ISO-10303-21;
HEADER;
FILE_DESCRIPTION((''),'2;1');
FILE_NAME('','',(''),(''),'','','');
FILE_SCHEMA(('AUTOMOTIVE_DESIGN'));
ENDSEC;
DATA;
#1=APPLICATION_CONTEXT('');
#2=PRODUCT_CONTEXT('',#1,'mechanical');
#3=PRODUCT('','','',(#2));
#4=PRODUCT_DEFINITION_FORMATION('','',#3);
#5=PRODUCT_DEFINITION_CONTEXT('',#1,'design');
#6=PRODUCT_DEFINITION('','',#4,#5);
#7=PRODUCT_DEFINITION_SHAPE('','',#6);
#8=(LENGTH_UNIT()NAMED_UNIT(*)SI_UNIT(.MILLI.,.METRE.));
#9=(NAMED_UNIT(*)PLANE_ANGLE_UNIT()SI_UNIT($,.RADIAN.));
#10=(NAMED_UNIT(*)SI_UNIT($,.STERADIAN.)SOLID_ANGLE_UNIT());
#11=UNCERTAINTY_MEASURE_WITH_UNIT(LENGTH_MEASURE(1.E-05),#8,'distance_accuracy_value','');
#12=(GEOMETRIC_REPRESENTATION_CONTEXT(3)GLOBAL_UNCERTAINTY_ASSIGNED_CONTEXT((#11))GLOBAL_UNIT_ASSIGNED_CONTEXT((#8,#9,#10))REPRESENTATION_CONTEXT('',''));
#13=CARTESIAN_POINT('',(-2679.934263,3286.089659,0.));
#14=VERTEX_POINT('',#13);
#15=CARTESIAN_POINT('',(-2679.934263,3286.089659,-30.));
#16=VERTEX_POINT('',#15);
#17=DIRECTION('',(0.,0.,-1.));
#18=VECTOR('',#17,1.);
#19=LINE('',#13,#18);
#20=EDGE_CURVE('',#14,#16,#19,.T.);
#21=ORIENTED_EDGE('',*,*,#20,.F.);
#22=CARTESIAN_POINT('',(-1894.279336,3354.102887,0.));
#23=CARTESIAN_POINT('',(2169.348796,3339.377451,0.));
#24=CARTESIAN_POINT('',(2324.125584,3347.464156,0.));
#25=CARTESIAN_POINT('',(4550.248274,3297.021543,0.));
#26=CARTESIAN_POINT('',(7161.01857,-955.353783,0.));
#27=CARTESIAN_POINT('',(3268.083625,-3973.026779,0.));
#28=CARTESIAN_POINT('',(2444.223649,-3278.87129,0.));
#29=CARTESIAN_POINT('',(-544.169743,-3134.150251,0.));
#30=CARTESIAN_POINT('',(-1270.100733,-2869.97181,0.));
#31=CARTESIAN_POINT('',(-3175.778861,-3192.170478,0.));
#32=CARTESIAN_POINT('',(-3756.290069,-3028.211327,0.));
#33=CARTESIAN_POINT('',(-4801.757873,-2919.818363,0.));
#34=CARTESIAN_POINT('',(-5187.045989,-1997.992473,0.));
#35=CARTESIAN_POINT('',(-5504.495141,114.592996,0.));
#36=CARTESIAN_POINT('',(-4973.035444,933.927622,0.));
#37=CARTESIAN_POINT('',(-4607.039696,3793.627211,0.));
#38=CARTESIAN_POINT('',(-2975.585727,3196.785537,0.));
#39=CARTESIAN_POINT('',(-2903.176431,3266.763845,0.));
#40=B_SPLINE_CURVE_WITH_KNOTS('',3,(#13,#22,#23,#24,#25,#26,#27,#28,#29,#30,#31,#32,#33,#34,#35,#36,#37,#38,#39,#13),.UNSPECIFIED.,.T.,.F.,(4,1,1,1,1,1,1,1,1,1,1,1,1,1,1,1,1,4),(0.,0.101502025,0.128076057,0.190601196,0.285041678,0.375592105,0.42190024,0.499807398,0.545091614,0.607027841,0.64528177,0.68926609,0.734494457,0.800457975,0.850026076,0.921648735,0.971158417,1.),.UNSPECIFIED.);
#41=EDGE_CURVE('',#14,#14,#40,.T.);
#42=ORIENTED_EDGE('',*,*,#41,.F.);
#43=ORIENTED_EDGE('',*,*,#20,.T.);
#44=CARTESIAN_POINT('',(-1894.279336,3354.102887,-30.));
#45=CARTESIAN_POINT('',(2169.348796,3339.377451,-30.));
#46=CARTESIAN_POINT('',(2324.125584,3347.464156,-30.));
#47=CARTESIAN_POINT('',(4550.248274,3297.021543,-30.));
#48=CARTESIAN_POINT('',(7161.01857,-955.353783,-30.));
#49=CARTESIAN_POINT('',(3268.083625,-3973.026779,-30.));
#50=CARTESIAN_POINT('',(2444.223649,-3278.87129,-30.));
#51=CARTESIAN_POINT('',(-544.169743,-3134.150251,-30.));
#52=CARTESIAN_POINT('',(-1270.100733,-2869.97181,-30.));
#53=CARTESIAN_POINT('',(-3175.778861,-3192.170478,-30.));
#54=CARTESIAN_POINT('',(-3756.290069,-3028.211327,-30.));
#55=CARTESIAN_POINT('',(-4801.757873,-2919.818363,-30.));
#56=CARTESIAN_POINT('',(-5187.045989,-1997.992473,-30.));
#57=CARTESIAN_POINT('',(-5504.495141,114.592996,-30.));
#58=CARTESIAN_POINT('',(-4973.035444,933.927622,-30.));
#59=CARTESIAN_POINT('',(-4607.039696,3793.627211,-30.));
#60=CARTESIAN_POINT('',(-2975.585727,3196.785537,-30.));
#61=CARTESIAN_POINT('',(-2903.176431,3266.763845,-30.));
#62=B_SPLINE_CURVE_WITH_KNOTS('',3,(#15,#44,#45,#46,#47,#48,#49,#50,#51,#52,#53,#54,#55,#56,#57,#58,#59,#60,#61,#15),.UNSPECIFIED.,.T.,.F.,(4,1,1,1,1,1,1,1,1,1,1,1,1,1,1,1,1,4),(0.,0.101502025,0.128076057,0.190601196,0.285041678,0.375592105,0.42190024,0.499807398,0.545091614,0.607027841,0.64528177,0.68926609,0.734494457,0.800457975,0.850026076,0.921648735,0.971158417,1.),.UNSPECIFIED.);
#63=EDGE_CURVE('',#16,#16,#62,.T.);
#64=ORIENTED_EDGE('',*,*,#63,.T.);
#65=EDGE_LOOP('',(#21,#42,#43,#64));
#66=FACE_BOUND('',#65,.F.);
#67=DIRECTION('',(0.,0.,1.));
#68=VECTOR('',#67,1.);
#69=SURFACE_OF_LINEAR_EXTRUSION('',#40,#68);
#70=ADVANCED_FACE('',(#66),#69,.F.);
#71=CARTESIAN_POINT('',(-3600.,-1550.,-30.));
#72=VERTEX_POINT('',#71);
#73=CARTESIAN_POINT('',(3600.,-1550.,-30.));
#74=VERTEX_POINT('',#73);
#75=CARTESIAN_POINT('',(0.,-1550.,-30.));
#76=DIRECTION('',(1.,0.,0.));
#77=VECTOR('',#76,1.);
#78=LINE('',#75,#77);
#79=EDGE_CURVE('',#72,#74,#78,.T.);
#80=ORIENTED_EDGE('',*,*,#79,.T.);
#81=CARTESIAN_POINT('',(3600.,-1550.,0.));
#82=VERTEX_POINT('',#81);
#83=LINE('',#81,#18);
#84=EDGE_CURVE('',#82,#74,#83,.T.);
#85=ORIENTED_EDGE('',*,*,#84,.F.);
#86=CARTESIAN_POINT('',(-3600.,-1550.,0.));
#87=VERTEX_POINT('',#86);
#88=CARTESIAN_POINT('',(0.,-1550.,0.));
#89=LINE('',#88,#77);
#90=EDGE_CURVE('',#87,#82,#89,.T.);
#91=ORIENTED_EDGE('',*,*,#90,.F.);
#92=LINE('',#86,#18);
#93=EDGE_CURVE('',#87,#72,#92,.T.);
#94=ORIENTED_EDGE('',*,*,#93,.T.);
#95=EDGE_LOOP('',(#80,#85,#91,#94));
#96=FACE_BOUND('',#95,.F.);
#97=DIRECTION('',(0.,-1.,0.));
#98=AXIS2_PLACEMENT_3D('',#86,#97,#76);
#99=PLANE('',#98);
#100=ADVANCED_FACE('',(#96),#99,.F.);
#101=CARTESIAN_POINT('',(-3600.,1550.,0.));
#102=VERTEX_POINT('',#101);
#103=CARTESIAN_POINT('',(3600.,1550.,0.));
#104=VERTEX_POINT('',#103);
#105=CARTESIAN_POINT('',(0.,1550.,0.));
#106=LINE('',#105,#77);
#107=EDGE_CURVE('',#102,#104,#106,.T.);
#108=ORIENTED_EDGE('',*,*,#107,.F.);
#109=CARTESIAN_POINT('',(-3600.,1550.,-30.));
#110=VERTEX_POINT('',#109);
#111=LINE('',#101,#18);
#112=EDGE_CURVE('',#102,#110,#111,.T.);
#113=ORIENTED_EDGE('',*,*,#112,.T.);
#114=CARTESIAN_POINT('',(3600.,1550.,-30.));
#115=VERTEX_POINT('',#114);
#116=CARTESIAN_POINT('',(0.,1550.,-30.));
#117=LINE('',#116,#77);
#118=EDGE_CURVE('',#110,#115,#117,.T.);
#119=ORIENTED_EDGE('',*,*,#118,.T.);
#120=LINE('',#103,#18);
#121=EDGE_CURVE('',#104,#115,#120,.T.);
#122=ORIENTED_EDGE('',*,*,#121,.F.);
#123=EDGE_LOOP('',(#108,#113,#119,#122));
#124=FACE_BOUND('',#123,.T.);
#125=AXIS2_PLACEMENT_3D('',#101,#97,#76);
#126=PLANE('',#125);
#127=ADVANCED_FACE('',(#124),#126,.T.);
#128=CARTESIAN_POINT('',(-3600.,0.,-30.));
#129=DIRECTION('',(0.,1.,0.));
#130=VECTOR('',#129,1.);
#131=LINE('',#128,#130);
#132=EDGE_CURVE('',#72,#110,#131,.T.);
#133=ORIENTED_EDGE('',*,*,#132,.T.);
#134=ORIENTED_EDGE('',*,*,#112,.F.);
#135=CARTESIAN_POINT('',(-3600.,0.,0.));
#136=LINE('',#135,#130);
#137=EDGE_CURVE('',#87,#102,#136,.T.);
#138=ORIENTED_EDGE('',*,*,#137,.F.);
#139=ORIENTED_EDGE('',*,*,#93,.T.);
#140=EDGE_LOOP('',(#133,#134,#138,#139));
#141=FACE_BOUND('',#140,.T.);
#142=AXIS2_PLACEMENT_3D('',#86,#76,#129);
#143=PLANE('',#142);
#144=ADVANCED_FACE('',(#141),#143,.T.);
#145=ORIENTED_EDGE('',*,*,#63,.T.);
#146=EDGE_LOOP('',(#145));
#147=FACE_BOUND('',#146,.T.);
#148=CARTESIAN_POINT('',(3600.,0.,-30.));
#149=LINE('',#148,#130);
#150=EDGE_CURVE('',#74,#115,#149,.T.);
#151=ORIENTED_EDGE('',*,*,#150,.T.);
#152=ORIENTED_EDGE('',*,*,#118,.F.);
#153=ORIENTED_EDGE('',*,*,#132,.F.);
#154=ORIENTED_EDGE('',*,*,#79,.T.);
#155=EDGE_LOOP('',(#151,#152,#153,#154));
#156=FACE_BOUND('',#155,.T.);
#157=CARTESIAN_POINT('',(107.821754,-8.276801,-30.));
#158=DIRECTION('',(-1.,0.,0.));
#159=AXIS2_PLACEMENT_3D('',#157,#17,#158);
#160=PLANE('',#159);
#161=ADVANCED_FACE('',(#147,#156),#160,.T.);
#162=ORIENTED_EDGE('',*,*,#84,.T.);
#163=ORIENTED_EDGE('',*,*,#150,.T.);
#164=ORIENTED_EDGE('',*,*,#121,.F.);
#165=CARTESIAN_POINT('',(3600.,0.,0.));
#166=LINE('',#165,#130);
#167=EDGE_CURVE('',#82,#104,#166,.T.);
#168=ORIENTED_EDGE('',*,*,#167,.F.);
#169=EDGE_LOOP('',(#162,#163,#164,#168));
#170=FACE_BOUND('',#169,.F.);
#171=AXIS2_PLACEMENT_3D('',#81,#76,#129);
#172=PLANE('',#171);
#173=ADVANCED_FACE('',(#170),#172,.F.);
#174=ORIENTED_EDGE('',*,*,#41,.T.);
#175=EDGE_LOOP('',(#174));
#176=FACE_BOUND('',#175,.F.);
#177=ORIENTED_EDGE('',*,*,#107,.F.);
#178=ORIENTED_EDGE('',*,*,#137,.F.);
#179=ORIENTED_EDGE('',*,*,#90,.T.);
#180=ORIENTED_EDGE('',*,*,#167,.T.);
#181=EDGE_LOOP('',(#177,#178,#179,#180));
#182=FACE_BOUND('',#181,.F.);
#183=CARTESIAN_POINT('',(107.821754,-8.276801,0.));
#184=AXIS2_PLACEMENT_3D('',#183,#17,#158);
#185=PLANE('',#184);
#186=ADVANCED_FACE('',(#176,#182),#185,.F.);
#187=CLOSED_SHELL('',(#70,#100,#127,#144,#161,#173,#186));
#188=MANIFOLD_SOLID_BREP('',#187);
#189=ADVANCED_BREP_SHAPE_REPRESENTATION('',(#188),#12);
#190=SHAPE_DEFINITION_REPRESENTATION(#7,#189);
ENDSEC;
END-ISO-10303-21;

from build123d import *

# Parameters (mm, degrees)
F0_W     = 7200
F0_H     = 3100
F1_DEPTH = 30


with BuildPart() as f1:
    # F0 (on Top) → F1 (new body)
    with BuildSketch(Plane.XY):
        with BuildLine():
            add(Edge.make_bspline(
                [(-2679.9342632294, 3286.0896587372), (-1894.2793361293, 3354.102886519), (2169.3487960151, 3339.3774514757), (2324.1255844619, 3347.4641558216), (4550.2482736579, 3297.0215426634), (7161.0185701349, -955.3537827934), (3268.0836254666, -3973.0267787437), (2444.2236486134, -3278.871290182), (-544.1697431272, -3134.1502507121), (-1270.1007325297, -2869.9718104518), (-3175.7788609086, -3192.1704777094), (-3756.2900692812, -3028.211326813), (-4801.7578727581, -2919.8183629212), (-5187.045989037, -1997.992472893), (-5504.4951405925, 114.5929962862), (-4973.0354441383, 933.9276223427), (-4607.0396962933, 3793.6272114433), (-2975.5857267694, 3196.7855372253), (-2903.1764309566, 3266.763845482), (-2679.9342632294, 3286.0896587372)],
                knots=[0, 0, 0, 0, 0.101502025, 0.1280760572, 0.1906011959, 0.285041678, 0.3755921045, 0.4219002403, 0.4998073977, 0.5450916138, 0.6070278412, 0.6452817703, 0.6892660901, 0.7344944568, 0.8004579746, 0.8500260765, 0.921648735, 0.9711584166, 1, 1, 1, 1], degree=3))
        make_face()
        Rectangle(F0_W, F0_H, mode=Mode.SUBTRACT)
    extrude(amount=-F1_DEPTH)


solid = f1.part
